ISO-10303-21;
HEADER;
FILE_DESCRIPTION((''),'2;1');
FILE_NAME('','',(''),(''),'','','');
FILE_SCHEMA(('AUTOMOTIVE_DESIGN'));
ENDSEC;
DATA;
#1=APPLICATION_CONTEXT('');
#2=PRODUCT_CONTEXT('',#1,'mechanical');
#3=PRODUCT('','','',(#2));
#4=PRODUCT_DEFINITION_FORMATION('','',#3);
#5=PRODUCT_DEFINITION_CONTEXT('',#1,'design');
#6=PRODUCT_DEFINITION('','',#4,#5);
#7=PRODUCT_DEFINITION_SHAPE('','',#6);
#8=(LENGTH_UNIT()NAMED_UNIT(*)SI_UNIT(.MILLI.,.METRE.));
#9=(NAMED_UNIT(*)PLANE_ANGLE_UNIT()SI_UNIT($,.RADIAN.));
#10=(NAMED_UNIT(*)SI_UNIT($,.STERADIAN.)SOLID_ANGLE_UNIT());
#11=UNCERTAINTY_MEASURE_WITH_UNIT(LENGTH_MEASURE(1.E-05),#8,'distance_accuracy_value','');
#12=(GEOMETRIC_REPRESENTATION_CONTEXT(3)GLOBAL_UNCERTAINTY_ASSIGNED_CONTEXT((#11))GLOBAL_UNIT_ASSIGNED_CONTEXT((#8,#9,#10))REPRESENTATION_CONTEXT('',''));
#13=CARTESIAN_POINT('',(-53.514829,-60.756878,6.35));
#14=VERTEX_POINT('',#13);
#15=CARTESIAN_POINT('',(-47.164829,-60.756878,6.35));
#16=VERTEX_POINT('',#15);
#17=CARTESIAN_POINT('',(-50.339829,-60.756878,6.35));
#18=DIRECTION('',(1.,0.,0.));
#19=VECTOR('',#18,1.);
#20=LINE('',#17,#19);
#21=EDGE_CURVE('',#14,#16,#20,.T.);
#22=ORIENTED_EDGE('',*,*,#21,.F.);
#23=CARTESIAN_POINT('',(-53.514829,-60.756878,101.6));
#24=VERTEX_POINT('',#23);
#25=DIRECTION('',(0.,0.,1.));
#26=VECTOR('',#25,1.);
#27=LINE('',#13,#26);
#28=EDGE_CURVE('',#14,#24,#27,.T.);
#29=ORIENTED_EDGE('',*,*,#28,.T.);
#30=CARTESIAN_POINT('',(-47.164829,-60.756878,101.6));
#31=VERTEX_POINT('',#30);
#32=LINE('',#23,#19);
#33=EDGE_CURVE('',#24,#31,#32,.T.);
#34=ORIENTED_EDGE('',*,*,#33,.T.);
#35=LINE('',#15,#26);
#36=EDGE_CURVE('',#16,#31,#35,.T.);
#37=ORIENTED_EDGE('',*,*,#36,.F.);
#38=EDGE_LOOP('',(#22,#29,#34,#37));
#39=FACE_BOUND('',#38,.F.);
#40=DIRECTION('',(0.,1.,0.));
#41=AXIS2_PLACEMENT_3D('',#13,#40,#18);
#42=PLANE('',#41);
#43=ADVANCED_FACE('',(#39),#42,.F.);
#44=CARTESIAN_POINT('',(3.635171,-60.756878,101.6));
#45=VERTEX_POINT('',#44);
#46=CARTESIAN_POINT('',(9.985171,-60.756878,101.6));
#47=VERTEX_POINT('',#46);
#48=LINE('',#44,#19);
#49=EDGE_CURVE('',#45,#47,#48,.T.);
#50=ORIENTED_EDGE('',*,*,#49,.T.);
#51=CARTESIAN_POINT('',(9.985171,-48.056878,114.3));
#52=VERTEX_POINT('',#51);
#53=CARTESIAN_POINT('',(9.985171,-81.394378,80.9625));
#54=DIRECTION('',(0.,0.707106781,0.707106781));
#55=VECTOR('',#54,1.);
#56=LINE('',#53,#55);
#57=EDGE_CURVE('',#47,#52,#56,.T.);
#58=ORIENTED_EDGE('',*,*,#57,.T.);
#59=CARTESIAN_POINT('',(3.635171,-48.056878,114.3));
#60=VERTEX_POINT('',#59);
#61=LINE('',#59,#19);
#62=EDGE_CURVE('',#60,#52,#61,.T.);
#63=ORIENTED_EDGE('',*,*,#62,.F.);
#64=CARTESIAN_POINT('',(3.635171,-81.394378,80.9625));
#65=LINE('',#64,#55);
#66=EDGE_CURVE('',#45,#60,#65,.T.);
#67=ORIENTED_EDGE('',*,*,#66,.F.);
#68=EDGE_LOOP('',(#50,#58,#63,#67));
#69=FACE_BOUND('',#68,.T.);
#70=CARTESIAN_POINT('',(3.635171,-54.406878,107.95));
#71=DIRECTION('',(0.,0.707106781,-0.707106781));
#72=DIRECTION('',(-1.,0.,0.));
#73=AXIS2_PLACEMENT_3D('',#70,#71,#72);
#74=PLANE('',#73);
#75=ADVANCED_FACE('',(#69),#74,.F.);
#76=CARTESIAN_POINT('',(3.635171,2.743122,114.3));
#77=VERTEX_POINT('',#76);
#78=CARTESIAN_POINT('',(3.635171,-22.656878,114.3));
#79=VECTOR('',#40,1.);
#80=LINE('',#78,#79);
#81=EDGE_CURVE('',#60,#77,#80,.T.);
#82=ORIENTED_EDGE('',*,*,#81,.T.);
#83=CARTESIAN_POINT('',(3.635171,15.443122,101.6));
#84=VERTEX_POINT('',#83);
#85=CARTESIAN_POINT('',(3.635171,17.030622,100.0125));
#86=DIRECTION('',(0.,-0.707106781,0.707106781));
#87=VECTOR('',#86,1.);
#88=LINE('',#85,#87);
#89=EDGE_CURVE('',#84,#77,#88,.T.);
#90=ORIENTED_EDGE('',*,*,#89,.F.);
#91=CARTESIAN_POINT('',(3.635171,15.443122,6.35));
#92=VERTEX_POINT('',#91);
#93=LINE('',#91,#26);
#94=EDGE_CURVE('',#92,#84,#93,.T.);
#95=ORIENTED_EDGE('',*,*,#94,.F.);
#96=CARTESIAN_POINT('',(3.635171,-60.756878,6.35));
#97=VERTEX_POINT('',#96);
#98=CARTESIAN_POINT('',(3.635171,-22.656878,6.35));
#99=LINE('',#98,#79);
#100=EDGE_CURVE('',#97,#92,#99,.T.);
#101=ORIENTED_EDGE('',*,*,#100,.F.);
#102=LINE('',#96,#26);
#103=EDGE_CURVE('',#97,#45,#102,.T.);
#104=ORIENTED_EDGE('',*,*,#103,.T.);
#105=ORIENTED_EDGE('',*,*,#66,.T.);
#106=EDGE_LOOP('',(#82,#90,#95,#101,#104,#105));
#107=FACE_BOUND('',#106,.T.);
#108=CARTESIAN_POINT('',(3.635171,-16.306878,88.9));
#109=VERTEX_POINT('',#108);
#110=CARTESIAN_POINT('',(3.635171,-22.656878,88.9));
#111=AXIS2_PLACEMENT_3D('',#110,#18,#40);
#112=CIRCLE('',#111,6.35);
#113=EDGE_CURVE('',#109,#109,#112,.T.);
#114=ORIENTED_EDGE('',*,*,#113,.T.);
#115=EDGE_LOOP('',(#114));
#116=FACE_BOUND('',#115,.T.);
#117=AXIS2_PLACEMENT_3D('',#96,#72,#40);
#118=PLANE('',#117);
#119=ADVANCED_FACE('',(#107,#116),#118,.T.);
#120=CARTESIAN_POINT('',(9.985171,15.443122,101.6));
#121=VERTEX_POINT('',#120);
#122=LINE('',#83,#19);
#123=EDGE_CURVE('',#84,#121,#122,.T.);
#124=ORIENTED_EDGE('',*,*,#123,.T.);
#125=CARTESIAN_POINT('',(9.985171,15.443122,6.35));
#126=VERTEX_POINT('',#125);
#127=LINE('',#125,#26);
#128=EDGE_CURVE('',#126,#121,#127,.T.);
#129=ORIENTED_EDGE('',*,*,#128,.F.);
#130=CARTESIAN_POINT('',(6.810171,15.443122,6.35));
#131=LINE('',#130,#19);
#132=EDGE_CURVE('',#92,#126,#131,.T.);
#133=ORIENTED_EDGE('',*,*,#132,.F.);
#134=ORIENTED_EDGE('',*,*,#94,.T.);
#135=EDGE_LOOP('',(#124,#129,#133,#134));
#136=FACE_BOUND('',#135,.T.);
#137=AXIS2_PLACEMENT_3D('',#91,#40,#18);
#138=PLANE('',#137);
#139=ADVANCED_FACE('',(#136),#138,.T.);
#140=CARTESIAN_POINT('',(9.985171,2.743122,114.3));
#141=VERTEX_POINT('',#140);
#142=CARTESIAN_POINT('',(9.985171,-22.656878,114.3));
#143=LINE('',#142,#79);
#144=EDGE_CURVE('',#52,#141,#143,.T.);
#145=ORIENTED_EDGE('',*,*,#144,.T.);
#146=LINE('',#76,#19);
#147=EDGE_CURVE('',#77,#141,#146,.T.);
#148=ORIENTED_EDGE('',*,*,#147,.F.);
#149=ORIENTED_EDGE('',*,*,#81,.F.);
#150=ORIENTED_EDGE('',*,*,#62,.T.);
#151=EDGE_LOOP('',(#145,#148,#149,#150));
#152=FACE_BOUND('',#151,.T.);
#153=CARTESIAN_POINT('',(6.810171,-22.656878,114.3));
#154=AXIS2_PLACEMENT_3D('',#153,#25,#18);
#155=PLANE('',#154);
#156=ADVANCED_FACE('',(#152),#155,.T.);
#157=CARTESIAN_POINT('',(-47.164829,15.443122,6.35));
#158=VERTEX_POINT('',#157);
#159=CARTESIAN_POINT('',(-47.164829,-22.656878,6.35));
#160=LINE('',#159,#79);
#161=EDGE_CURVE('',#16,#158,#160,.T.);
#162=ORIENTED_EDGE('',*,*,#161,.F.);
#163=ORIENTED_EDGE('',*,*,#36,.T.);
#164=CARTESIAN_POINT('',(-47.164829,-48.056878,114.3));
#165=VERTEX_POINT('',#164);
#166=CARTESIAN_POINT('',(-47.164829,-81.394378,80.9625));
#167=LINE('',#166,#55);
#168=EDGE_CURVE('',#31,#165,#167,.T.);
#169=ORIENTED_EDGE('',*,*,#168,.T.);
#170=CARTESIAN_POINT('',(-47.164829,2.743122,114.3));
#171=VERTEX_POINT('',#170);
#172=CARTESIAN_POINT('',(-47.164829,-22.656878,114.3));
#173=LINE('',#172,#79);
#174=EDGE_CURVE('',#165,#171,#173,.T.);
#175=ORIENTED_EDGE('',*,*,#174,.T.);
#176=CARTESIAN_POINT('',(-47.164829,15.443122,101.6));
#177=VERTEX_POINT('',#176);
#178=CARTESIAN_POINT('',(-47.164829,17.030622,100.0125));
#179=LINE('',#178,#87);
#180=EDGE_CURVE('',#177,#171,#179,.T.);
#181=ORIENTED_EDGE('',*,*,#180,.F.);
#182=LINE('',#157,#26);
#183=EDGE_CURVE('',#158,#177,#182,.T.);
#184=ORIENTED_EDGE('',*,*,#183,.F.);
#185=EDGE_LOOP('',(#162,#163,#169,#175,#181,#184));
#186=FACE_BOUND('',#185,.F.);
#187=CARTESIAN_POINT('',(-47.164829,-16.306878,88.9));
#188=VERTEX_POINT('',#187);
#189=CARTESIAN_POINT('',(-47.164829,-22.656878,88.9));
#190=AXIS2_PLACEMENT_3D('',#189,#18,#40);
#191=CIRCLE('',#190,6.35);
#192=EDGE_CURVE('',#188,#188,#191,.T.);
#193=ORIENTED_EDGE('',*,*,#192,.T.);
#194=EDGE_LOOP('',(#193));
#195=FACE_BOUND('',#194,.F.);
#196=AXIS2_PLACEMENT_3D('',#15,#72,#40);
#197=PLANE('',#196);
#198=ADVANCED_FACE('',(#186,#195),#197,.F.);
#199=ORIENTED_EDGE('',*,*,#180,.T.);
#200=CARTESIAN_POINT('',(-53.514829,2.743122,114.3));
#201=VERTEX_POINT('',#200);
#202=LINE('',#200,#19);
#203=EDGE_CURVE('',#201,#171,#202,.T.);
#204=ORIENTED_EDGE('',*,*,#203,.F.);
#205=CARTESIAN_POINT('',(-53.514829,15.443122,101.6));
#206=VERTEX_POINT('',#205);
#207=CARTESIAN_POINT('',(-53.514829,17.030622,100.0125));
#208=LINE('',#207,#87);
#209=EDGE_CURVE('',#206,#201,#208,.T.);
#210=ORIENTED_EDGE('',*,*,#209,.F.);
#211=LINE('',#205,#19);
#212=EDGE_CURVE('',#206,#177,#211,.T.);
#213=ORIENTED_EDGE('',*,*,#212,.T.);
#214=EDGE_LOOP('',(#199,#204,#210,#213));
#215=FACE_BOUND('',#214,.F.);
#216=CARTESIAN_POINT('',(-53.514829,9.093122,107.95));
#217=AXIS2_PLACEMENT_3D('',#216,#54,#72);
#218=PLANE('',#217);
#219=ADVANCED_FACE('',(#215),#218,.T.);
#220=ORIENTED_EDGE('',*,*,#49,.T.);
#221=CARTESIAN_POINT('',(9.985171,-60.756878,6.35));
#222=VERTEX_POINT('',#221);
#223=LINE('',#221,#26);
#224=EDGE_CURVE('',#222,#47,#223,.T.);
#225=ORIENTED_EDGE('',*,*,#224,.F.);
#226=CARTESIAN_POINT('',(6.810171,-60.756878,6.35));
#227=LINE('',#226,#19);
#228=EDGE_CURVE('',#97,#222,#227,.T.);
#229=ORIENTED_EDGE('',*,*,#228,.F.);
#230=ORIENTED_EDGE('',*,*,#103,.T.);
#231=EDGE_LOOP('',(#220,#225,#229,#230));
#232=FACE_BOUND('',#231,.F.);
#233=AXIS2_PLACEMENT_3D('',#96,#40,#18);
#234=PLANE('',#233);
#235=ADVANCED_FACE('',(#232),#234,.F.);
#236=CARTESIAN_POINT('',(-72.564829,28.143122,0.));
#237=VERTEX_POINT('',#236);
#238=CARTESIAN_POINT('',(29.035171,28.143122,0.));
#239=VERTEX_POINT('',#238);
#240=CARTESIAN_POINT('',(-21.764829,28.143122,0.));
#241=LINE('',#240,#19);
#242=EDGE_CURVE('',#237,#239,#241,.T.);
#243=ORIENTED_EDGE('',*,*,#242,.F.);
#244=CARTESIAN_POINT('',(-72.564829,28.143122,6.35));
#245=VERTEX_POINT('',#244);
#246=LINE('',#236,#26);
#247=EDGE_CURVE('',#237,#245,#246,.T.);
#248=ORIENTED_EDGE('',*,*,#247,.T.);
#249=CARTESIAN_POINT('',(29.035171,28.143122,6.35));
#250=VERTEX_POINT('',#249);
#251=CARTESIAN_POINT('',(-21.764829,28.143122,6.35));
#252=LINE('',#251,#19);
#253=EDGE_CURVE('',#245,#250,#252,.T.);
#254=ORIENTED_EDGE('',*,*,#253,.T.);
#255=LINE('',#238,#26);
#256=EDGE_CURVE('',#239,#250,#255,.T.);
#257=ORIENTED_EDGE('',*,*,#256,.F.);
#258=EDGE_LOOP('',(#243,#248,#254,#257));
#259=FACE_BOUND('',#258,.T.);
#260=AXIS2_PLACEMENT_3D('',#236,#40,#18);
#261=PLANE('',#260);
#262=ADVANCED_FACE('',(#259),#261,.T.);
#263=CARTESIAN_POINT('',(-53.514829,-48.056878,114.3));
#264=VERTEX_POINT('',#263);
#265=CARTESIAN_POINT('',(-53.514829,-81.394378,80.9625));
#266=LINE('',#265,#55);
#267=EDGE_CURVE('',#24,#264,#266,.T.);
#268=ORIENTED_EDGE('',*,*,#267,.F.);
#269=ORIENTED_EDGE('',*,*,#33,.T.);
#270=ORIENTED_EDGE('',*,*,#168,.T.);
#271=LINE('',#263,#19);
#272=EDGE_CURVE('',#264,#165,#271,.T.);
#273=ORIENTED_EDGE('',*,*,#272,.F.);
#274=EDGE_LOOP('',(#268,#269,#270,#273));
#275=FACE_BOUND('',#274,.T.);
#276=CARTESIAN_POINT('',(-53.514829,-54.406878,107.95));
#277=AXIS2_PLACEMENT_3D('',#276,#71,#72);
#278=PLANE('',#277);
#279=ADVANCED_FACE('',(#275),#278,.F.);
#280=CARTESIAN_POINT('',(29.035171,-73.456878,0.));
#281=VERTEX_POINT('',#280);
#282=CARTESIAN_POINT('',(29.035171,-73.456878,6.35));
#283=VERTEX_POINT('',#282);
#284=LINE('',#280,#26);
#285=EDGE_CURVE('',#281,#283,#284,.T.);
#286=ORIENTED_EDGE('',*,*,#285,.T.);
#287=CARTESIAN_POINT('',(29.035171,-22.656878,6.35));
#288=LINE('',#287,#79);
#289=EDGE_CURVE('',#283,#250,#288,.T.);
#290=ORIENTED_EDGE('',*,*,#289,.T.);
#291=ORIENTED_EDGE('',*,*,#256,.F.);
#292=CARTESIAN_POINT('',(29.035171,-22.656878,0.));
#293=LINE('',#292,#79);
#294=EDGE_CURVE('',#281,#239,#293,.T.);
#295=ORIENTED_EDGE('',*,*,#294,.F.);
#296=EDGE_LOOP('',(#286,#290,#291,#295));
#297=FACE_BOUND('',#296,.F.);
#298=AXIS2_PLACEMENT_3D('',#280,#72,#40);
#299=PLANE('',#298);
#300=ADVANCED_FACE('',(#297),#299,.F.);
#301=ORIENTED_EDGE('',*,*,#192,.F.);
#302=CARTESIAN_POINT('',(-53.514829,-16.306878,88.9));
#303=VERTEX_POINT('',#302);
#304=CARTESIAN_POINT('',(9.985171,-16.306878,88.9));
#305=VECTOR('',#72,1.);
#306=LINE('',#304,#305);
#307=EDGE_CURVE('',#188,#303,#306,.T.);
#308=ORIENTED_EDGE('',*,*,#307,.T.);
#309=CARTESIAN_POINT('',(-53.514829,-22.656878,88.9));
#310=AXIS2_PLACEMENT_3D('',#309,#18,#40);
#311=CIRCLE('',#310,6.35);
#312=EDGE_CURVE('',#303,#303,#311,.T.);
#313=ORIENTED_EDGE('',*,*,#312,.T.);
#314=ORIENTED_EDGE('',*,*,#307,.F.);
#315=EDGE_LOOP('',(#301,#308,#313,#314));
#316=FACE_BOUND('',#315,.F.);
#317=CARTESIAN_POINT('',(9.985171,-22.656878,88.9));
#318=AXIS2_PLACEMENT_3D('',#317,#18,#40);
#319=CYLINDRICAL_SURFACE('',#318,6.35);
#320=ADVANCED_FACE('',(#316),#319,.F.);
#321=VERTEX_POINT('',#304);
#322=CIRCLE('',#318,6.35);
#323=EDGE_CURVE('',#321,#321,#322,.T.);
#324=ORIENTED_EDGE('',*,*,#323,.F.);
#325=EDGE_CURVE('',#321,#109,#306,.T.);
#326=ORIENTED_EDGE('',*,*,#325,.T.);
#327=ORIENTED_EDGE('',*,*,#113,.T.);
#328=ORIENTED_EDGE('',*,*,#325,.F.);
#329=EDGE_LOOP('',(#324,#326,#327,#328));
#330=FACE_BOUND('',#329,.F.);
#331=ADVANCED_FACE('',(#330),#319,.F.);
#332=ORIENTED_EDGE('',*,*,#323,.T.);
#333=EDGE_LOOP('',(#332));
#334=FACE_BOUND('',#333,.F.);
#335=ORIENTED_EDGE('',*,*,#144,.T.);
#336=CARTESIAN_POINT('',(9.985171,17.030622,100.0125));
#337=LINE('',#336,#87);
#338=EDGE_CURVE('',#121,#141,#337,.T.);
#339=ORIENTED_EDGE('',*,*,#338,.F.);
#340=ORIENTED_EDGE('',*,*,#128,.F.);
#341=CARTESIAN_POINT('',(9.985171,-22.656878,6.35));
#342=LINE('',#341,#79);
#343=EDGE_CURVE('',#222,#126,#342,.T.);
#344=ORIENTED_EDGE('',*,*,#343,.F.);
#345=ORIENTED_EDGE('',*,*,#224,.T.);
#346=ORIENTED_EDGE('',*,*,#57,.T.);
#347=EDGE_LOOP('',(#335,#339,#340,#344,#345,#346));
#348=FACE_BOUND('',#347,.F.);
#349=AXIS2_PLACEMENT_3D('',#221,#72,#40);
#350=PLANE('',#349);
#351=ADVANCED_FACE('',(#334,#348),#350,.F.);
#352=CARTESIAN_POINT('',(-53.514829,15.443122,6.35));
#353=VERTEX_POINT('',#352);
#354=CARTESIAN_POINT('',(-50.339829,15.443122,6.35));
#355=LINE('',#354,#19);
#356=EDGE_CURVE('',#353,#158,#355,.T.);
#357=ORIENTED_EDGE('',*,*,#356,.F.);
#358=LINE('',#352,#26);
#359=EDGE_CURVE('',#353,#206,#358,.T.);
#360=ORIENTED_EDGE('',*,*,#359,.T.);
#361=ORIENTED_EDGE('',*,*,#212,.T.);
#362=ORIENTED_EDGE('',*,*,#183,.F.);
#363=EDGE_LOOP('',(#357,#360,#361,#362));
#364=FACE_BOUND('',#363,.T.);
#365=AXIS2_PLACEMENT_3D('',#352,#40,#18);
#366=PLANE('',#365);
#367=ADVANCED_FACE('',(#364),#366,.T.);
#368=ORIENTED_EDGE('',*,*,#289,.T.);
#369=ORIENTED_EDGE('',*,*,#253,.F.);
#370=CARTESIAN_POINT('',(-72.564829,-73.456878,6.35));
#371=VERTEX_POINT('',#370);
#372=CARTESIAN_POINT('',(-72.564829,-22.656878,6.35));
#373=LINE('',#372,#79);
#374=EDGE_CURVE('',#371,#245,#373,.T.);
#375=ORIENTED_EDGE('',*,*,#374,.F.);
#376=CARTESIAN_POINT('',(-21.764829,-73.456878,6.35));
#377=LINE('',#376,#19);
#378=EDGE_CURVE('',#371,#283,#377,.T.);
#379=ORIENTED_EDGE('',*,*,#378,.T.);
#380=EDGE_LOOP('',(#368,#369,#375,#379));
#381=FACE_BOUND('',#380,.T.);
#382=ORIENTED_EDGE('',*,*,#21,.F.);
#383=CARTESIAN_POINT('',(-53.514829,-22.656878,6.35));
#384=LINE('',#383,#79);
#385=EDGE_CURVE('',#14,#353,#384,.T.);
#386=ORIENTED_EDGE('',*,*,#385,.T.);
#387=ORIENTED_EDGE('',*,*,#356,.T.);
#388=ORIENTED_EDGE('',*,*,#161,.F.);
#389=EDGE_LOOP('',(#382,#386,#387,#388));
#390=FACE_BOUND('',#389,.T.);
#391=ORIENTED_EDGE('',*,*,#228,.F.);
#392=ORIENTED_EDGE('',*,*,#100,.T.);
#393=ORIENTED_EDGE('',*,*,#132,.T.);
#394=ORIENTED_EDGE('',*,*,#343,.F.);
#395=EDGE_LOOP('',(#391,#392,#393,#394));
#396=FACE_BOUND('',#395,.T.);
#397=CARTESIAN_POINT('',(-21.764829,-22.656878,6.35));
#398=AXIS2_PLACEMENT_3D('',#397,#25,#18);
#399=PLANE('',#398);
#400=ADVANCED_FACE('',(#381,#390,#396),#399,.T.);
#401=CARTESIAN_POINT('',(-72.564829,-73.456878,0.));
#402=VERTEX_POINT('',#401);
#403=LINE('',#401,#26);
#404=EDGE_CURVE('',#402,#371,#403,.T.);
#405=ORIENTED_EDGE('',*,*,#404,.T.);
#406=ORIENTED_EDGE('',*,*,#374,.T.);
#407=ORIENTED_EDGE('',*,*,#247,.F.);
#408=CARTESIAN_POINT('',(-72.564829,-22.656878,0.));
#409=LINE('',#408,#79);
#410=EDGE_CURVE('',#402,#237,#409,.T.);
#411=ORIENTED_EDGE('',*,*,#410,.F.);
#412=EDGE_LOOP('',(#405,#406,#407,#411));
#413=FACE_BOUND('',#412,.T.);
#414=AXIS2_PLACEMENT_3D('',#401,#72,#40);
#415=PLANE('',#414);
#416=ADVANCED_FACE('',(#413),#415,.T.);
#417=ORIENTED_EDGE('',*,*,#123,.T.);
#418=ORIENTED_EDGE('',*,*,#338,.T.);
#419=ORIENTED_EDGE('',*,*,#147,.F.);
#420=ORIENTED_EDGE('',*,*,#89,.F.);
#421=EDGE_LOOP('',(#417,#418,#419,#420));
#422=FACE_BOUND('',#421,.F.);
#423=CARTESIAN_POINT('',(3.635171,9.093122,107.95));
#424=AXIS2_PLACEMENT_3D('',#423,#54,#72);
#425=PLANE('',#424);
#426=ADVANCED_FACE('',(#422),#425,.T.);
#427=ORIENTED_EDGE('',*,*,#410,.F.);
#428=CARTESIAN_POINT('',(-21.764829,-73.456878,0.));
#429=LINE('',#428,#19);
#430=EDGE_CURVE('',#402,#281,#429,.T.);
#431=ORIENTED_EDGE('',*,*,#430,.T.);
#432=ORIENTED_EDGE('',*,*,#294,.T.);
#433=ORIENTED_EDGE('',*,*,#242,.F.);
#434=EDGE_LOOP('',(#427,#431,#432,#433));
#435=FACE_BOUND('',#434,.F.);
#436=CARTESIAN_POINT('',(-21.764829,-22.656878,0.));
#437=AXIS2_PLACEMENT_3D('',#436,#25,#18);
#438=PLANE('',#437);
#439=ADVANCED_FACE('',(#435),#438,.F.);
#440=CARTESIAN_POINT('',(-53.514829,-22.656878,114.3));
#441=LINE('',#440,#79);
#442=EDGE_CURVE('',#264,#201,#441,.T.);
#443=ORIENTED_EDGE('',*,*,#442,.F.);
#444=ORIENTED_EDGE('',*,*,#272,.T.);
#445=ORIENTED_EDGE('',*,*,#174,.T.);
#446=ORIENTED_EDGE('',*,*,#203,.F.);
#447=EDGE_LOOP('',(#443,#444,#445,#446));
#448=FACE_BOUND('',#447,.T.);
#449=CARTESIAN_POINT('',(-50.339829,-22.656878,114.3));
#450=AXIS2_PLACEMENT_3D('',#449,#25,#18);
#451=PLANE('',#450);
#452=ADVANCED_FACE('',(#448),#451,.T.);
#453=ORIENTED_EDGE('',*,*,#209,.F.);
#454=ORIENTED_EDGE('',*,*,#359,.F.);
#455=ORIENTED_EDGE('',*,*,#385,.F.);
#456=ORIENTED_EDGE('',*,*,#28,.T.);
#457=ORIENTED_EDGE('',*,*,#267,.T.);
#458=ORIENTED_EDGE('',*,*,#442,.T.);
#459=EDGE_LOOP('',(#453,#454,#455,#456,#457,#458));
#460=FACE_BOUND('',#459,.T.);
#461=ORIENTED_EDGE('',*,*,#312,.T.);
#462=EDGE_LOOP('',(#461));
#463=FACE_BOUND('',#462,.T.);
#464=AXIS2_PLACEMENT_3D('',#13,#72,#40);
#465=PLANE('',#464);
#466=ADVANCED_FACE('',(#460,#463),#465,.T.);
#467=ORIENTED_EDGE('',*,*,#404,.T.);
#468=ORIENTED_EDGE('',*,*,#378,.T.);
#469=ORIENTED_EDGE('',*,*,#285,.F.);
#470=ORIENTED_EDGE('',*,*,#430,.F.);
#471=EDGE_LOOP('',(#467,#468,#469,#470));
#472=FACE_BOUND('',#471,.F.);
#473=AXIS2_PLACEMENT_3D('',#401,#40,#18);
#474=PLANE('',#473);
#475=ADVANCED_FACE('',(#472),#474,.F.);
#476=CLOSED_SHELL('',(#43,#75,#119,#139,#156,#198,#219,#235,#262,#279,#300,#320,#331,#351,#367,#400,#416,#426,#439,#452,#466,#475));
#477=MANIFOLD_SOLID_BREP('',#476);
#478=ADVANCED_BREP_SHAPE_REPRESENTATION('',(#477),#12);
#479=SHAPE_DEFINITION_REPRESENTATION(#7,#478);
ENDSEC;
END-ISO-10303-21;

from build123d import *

# Parameters (mm, degrees)
F0_W     = 101.6
F0_H     = 101.6
F1_DEPTH = 6.35
F2_W     = 6.35
F2_H     = 76.2
F3_DEPTH = 107.95
F4_R     = 6.35
F5_DEPTH = 82.551
F6_SIZE  = 12.7


with BuildPart() as f1:
    # F0 (on Top) → F1 (new body)
    with BuildSketch(Plane.XY):
        with Locations((-21.764829, -22.656878)):
            Rectangle(F0_W, F0_H)
    extrude(amount=F1_DEPTH)

    # F2 (on face) → F3 (join)
    with BuildSketch(Plane.XY.offset(6.35)):
        with Locations((-50.339829, -22.656878)):
            Rectangle(F2_W, F2_H)
        with Locations((6.810171, -22.656878)):
            Rectangle(F2_W, F2_H)
    extrude(amount=F3_DEPTH)

    # F4 (on face) → F5 (cut, through all)
    with BuildSketch(Plane.YZ.offset(9.985171)):
        with Locations((-22.656878, 88.9)):
            Circle(F4_R)
    extrude(amount=-F5_DEPTH, mode=Mode.SUBTRACT)

    # F6
    f6_edges = [f1.edges().sort_by_distance(p)[0] for p in [
        (6.810171, -60.756878, 114.3),
        (6.810171, 15.443122, 114.3),
        (-50.339829, -60.756878, 114.3),
        (-50.339829, 15.443122, 114.3),
    ]]
    chamfer(f6_edges, length=F6_SIZE)


solid = f1.part
